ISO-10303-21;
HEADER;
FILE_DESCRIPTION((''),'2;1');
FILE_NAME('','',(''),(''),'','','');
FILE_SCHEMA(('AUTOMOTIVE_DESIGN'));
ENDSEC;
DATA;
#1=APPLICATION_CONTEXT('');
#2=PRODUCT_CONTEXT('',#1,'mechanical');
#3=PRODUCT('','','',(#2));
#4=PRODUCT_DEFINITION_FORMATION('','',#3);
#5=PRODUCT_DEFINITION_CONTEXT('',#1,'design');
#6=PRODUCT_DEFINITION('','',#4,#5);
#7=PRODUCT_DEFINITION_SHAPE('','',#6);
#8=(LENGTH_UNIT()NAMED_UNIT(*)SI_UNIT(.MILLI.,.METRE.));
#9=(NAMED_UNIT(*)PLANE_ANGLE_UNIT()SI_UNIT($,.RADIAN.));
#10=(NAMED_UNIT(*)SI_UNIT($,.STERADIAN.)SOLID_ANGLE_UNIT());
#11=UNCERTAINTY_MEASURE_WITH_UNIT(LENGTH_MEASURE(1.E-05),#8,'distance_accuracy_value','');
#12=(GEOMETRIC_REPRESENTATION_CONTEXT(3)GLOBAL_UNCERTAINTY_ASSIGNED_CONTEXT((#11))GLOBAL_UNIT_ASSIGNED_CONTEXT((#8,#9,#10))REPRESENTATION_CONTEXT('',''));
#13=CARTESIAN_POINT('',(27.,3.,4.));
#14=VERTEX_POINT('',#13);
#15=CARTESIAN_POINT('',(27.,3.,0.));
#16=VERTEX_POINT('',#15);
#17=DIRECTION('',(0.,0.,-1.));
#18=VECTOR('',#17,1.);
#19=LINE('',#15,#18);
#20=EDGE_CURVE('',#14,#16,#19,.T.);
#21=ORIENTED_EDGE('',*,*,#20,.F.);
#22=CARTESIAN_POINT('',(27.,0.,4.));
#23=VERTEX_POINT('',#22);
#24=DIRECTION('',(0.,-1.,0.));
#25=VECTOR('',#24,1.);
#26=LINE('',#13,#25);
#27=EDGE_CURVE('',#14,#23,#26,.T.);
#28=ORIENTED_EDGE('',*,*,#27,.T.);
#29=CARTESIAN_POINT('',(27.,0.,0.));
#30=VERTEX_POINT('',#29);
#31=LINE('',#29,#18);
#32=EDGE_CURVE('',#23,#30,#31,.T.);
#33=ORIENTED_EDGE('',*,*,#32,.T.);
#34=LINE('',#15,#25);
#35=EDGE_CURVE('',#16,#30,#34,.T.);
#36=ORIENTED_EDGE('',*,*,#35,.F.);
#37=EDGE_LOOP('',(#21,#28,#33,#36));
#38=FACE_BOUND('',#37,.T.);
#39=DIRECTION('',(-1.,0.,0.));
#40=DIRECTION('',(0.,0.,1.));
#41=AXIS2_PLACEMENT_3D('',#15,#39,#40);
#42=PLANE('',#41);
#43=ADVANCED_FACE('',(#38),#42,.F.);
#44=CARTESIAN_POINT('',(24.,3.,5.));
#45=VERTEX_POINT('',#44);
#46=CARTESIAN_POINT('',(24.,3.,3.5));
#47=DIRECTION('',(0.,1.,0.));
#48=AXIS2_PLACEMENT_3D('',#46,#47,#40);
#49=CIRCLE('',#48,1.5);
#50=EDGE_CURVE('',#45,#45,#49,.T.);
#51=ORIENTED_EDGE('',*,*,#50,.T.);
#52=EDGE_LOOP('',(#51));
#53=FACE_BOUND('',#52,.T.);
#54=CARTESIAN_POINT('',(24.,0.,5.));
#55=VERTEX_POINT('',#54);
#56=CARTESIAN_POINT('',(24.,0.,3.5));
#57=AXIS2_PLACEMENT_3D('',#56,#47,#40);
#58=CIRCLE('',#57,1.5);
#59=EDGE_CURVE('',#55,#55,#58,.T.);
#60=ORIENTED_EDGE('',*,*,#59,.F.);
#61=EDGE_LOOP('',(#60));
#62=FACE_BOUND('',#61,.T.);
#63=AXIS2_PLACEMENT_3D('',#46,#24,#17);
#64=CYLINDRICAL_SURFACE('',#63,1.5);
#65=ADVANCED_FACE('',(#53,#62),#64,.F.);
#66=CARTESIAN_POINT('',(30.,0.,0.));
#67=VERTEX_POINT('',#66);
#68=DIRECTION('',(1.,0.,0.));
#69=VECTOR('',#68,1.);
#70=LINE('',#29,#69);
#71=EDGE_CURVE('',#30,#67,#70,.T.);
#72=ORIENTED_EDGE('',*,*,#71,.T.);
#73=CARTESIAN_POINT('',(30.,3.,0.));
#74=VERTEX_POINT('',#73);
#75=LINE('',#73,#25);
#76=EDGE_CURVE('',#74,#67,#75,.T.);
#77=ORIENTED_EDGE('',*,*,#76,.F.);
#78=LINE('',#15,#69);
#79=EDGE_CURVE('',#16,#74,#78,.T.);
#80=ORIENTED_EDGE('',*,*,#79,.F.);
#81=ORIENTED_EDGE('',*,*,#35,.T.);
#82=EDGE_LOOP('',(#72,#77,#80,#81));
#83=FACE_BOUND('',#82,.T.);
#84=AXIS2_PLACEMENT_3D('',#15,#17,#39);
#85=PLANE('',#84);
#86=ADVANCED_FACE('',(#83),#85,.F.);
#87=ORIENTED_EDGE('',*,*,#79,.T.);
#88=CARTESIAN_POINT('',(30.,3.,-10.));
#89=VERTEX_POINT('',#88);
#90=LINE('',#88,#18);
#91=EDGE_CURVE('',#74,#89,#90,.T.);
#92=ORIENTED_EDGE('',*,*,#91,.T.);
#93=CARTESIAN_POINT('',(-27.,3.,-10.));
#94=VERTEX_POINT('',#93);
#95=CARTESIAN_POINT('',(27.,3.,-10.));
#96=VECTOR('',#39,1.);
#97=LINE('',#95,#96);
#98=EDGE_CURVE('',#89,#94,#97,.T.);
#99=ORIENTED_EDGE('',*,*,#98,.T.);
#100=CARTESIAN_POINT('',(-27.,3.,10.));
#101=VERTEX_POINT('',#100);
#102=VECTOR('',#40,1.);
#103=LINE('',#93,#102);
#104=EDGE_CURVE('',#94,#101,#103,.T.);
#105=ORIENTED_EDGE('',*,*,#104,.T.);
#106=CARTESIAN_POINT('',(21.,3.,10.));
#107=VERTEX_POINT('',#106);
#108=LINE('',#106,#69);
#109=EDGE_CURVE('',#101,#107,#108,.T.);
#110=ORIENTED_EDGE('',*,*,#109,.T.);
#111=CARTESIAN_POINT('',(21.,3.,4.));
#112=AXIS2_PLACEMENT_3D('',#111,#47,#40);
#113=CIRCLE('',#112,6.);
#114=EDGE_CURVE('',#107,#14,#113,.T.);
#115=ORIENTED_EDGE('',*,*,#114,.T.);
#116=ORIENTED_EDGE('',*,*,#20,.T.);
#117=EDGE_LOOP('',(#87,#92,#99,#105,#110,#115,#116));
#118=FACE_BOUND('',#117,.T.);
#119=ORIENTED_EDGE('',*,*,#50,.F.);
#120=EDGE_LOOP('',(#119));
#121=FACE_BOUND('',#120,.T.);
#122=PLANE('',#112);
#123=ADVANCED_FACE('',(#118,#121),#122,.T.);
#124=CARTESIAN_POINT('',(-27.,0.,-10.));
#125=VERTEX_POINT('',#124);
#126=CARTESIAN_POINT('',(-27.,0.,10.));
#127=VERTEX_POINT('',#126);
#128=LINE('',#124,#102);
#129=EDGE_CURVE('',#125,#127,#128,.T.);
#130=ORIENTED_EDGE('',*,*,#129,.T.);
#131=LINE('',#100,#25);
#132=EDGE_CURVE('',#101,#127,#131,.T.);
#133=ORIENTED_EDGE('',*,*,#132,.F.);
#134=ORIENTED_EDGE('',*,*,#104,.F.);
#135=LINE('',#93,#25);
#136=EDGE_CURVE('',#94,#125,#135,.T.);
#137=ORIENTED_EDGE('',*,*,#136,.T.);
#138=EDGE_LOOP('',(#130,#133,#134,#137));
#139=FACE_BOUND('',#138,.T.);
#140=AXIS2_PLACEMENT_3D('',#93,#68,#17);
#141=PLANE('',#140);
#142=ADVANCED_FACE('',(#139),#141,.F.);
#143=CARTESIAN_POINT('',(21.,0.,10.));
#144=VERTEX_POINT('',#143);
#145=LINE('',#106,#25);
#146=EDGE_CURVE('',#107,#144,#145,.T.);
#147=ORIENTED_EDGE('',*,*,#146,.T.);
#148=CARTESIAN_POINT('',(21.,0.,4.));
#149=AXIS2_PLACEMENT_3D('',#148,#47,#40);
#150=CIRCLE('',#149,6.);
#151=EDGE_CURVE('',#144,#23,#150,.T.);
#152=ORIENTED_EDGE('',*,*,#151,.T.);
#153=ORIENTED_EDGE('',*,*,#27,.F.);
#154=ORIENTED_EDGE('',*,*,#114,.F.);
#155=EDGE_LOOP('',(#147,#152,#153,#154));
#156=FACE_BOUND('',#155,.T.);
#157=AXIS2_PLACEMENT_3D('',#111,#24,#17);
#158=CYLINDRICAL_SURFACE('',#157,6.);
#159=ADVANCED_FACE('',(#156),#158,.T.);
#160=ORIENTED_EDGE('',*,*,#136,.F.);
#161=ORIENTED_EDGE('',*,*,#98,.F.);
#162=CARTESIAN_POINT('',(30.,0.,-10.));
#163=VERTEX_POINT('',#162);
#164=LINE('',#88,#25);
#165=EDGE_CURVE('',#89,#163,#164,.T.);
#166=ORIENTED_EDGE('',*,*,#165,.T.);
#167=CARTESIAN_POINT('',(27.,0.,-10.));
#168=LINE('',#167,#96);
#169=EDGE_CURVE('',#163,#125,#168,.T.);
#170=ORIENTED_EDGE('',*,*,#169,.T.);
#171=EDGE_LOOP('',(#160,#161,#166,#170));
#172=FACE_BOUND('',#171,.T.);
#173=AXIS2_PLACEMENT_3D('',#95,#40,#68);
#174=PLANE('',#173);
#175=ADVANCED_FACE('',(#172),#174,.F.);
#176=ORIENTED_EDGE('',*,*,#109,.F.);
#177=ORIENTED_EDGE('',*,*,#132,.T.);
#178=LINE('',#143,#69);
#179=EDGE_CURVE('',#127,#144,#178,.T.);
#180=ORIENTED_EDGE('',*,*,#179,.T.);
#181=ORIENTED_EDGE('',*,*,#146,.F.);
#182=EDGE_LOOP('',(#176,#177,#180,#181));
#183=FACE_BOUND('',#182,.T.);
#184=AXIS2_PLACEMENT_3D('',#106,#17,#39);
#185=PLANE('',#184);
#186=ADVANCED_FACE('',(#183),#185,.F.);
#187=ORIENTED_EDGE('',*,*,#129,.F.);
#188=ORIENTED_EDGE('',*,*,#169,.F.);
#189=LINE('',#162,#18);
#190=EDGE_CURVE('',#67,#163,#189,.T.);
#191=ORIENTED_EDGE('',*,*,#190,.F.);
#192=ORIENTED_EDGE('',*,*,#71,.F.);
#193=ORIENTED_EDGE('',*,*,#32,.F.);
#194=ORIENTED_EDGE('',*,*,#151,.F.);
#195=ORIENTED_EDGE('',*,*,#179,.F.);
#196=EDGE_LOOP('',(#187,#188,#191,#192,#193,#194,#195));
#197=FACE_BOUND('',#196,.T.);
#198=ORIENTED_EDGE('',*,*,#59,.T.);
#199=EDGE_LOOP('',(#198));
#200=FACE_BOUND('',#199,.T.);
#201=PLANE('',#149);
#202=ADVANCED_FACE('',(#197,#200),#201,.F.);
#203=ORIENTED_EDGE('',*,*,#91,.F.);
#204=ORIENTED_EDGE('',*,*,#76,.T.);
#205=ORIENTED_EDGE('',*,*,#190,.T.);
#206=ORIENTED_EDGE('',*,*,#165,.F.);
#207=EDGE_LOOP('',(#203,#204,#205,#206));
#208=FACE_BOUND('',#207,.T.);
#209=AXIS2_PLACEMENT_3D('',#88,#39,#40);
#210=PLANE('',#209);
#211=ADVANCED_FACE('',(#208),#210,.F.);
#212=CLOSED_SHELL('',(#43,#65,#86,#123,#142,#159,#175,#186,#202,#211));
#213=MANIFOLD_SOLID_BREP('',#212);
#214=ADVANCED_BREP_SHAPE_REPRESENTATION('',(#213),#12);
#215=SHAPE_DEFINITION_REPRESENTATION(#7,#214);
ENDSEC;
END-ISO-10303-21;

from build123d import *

# Parameters (mm, degrees)
SKETCH1_R           = 1.5
BOSS_EXTRUDE1_DEPTH = 3


with BuildPart() as part:
    # Sketch1 → Boss-Extrude1 (new body)
    with BuildSketch(Plane(origin=(0, 0, 0), x_dir=(1, 0, 0), z_dir=(0, 1, 0))):
        with BuildLine():
            Line((27, 10), (-27, 10))
            Line((-27, 10), (-27, -10))
            Line((-27, -10), (21, -10))
            ThreePointArc((21, -10), (25.242640687, -8.242640687), (27, -4))
            Line((27, -4), (27, 0))
            Line((27, 0), (30, 0))
            Line((30, 0), (30, 10))
            Line((30, 10), (27, 10))
        make_face()
        with Locations(Location((24, -3.5, 0), (0, 0, 270))):
            Circle(SKETCH1_R, mode=Mode.SUBTRACT)
    extrude(amount=BOSS_EXTRUDE1_DEPTH)


solid = part.part
